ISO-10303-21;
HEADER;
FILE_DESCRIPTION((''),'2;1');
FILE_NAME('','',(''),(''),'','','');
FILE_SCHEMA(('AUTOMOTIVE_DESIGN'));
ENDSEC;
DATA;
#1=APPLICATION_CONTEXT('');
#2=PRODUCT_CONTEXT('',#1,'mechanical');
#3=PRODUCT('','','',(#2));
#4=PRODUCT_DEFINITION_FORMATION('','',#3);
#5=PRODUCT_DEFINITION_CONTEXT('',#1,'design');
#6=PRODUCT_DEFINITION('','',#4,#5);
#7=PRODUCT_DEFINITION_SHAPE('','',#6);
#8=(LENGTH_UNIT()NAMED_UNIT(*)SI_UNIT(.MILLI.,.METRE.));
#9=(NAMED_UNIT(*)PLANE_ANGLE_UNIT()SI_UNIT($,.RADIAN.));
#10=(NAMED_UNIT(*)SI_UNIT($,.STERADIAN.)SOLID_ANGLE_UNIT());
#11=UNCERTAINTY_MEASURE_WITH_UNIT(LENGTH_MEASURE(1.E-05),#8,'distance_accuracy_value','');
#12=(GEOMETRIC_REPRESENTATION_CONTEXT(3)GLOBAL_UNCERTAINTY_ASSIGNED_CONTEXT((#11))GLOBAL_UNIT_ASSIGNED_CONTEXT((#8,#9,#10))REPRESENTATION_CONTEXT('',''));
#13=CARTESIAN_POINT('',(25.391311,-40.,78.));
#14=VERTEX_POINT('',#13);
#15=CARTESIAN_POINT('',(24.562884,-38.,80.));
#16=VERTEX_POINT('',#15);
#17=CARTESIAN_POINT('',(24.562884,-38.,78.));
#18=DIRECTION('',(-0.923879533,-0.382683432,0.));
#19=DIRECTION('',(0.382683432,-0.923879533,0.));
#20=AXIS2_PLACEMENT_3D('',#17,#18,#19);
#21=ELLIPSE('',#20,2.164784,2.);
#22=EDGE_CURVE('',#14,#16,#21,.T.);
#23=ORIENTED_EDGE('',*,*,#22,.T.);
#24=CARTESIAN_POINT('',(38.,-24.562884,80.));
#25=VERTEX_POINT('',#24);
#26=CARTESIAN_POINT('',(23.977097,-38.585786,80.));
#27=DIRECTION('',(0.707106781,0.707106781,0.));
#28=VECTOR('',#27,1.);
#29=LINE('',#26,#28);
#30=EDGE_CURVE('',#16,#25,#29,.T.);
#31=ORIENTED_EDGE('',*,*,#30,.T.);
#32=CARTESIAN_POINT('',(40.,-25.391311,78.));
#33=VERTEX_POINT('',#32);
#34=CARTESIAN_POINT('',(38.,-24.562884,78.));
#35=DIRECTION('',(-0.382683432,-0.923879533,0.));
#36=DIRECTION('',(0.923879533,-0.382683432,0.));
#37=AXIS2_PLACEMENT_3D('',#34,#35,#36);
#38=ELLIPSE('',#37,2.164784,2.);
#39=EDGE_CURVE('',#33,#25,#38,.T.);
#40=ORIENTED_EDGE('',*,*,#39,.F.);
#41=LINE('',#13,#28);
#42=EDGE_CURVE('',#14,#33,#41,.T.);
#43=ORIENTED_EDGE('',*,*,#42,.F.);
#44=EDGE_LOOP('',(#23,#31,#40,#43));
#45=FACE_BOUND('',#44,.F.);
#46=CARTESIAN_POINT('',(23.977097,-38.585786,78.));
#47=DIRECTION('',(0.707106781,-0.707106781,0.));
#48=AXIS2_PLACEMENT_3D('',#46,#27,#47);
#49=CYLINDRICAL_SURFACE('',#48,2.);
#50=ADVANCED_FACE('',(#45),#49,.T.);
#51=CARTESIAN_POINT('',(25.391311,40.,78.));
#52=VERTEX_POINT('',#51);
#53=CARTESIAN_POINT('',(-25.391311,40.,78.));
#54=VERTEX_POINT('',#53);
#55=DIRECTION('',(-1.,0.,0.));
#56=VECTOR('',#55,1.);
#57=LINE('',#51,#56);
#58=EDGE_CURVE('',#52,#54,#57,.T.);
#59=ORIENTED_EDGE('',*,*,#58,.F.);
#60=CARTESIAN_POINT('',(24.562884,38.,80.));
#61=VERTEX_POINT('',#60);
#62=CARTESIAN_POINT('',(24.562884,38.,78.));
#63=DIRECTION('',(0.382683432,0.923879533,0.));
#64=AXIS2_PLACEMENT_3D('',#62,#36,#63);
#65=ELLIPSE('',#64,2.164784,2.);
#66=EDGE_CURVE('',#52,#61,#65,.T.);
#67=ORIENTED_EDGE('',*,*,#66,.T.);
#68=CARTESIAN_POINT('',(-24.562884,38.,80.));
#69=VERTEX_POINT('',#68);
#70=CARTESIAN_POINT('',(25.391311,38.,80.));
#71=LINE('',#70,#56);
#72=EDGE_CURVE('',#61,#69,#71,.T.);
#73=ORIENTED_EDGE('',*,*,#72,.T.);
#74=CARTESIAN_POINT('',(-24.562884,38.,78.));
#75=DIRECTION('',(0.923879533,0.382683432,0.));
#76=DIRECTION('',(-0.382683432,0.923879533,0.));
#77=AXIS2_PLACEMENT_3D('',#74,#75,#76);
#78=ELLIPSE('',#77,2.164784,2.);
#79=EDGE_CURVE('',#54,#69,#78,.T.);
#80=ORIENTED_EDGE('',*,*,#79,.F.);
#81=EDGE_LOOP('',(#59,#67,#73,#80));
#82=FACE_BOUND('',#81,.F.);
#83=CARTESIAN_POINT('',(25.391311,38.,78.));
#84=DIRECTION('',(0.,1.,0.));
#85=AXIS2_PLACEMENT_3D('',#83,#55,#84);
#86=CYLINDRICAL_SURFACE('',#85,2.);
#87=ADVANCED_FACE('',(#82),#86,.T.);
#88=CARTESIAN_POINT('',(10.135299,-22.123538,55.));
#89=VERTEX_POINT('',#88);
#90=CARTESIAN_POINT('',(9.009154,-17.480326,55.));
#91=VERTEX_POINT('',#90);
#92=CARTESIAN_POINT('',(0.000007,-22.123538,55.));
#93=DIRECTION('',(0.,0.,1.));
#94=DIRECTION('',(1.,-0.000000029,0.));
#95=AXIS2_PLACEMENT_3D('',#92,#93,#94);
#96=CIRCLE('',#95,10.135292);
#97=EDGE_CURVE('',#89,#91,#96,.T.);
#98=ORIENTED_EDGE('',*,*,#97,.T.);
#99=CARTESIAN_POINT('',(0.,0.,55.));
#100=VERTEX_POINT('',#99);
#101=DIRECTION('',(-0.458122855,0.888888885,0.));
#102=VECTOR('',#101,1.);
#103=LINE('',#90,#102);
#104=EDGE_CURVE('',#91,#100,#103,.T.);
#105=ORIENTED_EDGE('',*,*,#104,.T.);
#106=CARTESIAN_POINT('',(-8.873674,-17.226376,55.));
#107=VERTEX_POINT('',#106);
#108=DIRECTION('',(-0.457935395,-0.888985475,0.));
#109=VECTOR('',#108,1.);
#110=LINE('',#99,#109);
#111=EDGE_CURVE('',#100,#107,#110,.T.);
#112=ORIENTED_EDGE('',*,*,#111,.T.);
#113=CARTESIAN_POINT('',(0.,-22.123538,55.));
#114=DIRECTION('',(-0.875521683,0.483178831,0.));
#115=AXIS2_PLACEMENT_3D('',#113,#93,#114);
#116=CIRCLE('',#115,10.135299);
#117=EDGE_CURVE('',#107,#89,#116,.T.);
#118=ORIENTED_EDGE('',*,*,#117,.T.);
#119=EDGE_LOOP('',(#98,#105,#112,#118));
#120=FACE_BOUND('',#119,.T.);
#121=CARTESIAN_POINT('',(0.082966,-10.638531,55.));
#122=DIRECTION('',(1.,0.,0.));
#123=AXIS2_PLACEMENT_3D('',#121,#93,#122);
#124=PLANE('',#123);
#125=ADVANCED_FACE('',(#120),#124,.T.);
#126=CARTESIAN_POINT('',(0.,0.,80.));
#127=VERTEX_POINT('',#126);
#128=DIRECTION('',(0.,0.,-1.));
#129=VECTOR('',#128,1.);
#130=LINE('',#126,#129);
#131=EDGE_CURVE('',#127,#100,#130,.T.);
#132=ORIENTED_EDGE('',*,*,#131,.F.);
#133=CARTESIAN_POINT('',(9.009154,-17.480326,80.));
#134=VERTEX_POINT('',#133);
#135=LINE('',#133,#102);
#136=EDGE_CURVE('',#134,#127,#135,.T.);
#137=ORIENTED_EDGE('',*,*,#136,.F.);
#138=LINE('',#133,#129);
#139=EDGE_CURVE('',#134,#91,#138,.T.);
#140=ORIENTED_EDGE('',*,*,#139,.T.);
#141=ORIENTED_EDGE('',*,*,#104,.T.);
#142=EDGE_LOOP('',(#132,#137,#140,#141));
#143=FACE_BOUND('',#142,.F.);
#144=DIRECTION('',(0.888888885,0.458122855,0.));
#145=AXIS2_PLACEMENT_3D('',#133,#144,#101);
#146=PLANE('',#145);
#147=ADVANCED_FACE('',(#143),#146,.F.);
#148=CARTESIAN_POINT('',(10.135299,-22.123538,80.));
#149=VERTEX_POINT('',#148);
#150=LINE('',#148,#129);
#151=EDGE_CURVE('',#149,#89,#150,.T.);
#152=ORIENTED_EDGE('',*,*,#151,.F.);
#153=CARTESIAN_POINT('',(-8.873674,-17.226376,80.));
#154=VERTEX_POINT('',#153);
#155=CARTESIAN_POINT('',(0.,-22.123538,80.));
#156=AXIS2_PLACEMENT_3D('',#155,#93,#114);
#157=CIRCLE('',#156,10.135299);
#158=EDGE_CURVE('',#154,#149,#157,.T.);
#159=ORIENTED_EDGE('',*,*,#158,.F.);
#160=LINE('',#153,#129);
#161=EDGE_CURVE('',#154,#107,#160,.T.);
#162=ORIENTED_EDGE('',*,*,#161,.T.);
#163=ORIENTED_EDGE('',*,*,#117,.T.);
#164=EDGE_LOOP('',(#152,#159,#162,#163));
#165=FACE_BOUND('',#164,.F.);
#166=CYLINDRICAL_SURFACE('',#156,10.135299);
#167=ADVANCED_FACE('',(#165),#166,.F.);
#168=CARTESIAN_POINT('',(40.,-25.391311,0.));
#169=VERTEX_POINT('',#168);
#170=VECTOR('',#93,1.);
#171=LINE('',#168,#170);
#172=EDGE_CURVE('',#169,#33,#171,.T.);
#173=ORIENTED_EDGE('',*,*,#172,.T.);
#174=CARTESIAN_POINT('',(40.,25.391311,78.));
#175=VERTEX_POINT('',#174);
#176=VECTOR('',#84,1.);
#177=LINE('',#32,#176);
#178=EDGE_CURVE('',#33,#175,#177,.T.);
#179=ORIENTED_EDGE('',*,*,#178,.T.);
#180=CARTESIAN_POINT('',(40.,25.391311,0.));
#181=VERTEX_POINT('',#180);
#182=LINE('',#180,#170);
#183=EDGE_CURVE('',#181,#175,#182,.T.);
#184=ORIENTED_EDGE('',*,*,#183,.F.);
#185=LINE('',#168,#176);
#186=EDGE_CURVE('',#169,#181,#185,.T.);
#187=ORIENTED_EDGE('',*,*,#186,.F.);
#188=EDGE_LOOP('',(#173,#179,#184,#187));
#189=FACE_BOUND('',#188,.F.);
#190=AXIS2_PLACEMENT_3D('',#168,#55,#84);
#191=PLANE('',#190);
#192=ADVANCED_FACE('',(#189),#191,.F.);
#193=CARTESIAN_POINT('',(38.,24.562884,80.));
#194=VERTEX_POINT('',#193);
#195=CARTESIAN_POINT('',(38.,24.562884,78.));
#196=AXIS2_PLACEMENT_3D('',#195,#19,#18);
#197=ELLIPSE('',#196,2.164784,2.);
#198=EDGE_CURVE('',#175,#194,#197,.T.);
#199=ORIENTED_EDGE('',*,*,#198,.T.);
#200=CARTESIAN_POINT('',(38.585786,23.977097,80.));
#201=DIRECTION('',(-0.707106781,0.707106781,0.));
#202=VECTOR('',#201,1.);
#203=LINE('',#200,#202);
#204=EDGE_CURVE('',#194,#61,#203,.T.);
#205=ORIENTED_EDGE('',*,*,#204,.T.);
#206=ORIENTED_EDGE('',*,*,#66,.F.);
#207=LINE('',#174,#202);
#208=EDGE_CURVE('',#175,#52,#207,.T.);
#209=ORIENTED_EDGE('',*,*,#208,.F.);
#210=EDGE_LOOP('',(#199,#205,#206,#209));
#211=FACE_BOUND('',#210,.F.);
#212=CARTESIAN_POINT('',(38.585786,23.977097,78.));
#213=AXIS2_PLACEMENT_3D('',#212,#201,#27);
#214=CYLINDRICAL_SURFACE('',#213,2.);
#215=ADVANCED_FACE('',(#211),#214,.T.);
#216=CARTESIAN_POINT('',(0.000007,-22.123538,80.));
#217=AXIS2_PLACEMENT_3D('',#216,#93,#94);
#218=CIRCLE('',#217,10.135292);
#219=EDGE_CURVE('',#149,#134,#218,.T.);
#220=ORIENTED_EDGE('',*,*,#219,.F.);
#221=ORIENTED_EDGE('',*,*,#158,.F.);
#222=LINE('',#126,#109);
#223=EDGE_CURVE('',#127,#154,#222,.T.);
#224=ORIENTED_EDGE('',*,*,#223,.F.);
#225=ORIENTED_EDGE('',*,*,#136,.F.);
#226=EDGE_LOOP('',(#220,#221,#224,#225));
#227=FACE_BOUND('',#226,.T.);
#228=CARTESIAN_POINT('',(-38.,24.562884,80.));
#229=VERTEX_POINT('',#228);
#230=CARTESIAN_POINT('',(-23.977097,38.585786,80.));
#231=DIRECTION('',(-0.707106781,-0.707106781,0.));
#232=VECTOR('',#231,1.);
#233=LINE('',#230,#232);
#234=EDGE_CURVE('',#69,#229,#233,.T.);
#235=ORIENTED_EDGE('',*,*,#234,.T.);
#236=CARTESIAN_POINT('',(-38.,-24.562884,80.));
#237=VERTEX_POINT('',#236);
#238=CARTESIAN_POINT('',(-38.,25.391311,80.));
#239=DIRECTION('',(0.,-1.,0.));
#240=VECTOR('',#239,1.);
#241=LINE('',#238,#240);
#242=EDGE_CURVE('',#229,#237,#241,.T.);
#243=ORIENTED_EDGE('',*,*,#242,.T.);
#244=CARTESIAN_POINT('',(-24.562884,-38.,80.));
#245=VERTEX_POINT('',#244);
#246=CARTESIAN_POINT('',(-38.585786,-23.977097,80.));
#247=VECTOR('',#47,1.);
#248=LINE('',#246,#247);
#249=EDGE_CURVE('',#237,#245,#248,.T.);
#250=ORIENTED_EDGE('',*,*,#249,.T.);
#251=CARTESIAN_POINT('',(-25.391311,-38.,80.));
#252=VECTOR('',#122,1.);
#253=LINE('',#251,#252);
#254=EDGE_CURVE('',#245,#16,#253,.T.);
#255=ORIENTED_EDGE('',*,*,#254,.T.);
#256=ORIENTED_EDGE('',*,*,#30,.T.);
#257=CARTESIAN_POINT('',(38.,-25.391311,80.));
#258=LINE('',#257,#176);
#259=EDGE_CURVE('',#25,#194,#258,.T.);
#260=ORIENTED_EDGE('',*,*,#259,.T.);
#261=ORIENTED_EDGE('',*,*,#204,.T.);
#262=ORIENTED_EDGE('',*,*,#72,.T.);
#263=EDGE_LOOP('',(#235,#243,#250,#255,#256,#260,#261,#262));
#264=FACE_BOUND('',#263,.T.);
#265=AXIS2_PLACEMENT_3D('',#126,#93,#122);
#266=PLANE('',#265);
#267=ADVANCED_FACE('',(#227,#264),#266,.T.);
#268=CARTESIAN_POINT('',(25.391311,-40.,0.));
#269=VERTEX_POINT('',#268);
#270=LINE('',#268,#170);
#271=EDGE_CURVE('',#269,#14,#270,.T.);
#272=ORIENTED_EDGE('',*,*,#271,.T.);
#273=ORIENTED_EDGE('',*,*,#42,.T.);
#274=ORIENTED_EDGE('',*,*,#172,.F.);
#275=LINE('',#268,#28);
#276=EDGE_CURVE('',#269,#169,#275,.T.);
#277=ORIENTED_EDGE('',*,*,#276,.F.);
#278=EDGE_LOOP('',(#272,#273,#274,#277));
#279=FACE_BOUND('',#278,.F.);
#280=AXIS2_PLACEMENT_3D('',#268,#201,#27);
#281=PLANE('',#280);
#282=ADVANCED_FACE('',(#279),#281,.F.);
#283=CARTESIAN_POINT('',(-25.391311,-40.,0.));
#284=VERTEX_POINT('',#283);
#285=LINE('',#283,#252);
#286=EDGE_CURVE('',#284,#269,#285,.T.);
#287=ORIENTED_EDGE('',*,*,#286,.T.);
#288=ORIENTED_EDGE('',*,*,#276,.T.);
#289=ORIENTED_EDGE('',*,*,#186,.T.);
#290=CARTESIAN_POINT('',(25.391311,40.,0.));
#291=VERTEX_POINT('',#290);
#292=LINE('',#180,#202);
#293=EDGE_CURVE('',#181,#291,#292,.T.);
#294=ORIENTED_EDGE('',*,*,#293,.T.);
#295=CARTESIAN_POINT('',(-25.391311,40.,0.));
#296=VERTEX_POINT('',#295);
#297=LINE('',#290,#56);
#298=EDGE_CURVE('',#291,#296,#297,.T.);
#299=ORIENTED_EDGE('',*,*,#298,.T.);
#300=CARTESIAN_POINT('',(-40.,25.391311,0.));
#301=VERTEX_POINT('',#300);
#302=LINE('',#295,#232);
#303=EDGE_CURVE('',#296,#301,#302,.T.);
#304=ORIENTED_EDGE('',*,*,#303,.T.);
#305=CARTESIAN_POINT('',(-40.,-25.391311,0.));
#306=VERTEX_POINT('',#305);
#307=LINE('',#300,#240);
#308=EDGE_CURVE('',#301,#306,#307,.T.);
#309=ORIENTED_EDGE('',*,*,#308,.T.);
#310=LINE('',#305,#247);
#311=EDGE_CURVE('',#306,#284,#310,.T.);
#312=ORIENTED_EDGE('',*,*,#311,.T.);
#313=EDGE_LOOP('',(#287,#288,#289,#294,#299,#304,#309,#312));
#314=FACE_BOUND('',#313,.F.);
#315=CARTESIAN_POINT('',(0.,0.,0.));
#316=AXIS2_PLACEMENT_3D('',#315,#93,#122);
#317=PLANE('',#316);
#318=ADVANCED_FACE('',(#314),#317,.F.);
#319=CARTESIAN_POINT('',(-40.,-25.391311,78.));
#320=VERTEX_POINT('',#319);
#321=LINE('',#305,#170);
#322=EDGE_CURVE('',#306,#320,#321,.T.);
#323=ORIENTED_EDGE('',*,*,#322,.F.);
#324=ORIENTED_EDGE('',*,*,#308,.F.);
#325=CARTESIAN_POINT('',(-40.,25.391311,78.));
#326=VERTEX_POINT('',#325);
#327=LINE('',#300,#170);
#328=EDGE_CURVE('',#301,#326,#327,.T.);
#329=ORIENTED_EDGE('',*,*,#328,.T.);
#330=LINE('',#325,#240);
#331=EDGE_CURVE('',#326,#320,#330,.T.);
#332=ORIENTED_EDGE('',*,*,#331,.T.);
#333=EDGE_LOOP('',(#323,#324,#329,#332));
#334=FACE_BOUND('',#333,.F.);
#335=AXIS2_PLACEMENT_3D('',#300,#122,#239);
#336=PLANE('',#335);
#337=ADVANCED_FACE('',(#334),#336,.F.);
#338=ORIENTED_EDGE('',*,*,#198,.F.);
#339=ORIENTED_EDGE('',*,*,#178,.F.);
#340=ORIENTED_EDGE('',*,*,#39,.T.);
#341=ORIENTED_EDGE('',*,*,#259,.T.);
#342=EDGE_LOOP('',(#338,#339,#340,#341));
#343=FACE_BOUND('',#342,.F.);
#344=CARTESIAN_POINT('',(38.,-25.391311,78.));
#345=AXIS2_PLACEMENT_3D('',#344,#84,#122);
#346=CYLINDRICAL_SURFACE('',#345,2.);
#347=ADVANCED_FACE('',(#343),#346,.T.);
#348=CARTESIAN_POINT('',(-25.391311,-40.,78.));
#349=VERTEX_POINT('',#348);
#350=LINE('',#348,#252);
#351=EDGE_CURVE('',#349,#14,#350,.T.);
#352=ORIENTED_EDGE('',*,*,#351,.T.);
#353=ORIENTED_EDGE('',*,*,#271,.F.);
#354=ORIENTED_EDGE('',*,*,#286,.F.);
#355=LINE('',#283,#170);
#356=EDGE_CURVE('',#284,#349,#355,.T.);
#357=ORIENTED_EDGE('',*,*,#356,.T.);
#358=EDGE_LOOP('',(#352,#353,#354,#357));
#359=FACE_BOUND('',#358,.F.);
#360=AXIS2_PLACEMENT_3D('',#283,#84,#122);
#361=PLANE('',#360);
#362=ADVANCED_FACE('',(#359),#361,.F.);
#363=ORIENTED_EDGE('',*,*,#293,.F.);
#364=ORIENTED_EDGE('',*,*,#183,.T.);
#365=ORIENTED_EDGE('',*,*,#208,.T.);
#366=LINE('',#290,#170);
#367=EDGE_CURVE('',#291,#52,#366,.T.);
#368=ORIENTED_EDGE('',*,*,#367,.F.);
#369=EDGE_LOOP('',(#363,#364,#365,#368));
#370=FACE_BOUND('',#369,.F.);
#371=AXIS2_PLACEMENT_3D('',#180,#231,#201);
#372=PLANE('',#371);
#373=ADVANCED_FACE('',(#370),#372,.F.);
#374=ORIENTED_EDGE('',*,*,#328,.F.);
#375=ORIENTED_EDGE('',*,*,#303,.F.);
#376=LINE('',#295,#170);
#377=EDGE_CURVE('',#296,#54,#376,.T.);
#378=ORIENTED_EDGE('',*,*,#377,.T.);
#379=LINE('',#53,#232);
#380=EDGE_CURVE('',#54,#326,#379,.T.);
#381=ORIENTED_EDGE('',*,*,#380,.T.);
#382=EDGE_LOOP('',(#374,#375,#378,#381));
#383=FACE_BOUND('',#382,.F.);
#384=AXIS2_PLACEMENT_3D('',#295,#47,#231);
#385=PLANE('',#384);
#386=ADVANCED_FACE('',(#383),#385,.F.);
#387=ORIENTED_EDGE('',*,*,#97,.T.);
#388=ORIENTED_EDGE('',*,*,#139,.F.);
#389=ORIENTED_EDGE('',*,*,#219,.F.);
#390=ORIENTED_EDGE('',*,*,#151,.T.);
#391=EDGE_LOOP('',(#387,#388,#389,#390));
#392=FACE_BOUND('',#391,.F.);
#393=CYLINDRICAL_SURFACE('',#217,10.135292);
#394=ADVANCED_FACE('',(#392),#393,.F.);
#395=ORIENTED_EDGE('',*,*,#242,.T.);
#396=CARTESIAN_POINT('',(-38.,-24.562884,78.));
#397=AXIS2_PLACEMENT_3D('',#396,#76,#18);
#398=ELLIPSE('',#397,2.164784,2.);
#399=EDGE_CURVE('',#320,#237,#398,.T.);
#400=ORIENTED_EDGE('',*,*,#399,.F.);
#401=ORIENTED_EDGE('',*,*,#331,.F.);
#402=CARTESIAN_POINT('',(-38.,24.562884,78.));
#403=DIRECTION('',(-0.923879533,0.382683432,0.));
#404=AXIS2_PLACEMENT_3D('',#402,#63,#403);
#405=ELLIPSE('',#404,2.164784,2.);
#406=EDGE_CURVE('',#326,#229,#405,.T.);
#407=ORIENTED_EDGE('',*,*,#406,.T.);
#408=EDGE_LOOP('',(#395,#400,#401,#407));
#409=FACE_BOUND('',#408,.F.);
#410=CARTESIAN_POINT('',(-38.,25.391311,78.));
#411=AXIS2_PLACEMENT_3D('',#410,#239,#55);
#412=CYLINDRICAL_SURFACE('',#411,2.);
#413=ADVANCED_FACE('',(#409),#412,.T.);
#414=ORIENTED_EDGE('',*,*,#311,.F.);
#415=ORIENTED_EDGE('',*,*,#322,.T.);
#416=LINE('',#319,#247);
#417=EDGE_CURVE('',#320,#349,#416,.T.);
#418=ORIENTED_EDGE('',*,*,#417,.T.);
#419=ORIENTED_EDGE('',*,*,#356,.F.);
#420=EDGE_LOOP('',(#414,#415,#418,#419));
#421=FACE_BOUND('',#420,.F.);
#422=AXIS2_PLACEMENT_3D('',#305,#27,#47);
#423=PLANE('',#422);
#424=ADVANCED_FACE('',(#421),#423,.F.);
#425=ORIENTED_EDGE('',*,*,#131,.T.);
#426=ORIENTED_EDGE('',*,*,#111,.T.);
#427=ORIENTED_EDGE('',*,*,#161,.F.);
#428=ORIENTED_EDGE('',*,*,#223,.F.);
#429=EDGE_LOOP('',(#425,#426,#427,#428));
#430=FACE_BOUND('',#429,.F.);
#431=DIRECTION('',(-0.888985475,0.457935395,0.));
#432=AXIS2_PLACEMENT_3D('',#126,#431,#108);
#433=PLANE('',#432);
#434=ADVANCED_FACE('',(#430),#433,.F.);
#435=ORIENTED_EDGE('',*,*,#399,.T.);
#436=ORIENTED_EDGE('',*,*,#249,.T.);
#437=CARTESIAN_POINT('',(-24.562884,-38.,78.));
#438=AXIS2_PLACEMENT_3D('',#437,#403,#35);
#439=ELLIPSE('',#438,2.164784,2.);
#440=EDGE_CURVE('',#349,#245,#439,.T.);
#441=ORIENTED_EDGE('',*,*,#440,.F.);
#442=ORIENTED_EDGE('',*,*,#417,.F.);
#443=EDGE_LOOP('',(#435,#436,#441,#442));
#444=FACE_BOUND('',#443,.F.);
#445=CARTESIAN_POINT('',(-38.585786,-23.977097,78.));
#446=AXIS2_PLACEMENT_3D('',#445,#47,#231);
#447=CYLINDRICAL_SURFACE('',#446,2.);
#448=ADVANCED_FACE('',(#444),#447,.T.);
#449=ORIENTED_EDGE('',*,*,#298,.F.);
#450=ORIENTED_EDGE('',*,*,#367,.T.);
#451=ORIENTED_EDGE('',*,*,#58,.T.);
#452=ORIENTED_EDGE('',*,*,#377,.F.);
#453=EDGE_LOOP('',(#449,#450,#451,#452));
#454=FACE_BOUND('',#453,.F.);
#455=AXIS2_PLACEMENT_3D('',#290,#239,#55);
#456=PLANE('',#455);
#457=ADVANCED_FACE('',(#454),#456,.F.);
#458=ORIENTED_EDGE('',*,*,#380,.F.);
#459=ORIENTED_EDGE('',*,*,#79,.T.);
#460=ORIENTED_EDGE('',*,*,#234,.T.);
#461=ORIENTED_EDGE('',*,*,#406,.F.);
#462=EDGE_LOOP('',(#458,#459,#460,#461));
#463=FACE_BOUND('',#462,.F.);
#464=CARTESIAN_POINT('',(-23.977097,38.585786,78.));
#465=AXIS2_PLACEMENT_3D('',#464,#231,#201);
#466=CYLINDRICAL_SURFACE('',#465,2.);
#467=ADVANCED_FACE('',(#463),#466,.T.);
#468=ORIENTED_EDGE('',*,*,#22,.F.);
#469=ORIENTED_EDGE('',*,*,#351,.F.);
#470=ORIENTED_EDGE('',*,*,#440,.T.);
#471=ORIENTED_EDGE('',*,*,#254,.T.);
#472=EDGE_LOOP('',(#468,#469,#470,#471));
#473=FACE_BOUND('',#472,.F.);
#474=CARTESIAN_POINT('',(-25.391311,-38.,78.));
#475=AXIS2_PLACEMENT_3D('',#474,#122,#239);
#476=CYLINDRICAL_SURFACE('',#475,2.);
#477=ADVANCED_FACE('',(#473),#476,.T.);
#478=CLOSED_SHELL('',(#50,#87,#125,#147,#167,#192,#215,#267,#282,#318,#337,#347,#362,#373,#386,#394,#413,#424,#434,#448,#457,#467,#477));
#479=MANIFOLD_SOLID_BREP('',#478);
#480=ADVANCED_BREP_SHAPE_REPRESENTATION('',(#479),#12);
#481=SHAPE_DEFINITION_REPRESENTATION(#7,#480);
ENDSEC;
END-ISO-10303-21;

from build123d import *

# Parameters (mm, degrees)
F1_DEPTH = 80
F2_R     = 2
F4_DEPTH = 25


with BuildPart() as f1:
    # F0 (on Top) → F1 (new body)
    with BuildSketch(Plane.XY):
        Polygon((25.391311, 40), (0, 40), (-25.391311, 40), (-40, 25.391311), (-40, 0), (-40, -25.391311), (-25.391311, -40), (0, -40), (25.391311, -40), (40, -25.391311), (40, 0), (40, 25.391311), align=None)
    extrude(amount=F1_DEPTH)

    # F2
    f2_edges = [f1.edges().sort_by_distance(p)[0] for p in [
        (32.695656, 32.695656, 80),
        (0, 40, 80),
        (-32.695656, 32.695656, 80),
        (-40, 0, 80),
        (-32.695656, -32.695656, 80),
        (0, -40, 80),
        (32.695656, -32.695656, 80),
        (40, 0, 80),
    ]]
    fillet(f2_edges, radius=F2_R)

    # F3 (on face) → F4 (cut)
    with BuildSketch(Plane.XY.offset(80)):
        with BuildLine():
            ThreePointArc((-8.873674, -17.226376), (0.143915, -11.989261), (9.009154, -17.480326))
            Line((9.009154, -17.480326), (0, 0))
            Line((0, 0), (-8.873674, -17.226376))
        make_face()
        with BuildLine():
            ThreePointArc((-8.873674, -17.226376), (-2.528532, -31.938364), (10.135299, -22.123538))
            ThreePointArc((10.135299, -22.123538), (9.84974, -19.734625), (9.009154, -17.480326))
            ThreePointArc((9.009154, -17.480326), (0.143915, -11.989261), (-8.873674, -17.226376))
        make_face()
    extrude(amount=-F4_DEPTH, mode=Mode.SUBTRACT)


solid = f1.part
